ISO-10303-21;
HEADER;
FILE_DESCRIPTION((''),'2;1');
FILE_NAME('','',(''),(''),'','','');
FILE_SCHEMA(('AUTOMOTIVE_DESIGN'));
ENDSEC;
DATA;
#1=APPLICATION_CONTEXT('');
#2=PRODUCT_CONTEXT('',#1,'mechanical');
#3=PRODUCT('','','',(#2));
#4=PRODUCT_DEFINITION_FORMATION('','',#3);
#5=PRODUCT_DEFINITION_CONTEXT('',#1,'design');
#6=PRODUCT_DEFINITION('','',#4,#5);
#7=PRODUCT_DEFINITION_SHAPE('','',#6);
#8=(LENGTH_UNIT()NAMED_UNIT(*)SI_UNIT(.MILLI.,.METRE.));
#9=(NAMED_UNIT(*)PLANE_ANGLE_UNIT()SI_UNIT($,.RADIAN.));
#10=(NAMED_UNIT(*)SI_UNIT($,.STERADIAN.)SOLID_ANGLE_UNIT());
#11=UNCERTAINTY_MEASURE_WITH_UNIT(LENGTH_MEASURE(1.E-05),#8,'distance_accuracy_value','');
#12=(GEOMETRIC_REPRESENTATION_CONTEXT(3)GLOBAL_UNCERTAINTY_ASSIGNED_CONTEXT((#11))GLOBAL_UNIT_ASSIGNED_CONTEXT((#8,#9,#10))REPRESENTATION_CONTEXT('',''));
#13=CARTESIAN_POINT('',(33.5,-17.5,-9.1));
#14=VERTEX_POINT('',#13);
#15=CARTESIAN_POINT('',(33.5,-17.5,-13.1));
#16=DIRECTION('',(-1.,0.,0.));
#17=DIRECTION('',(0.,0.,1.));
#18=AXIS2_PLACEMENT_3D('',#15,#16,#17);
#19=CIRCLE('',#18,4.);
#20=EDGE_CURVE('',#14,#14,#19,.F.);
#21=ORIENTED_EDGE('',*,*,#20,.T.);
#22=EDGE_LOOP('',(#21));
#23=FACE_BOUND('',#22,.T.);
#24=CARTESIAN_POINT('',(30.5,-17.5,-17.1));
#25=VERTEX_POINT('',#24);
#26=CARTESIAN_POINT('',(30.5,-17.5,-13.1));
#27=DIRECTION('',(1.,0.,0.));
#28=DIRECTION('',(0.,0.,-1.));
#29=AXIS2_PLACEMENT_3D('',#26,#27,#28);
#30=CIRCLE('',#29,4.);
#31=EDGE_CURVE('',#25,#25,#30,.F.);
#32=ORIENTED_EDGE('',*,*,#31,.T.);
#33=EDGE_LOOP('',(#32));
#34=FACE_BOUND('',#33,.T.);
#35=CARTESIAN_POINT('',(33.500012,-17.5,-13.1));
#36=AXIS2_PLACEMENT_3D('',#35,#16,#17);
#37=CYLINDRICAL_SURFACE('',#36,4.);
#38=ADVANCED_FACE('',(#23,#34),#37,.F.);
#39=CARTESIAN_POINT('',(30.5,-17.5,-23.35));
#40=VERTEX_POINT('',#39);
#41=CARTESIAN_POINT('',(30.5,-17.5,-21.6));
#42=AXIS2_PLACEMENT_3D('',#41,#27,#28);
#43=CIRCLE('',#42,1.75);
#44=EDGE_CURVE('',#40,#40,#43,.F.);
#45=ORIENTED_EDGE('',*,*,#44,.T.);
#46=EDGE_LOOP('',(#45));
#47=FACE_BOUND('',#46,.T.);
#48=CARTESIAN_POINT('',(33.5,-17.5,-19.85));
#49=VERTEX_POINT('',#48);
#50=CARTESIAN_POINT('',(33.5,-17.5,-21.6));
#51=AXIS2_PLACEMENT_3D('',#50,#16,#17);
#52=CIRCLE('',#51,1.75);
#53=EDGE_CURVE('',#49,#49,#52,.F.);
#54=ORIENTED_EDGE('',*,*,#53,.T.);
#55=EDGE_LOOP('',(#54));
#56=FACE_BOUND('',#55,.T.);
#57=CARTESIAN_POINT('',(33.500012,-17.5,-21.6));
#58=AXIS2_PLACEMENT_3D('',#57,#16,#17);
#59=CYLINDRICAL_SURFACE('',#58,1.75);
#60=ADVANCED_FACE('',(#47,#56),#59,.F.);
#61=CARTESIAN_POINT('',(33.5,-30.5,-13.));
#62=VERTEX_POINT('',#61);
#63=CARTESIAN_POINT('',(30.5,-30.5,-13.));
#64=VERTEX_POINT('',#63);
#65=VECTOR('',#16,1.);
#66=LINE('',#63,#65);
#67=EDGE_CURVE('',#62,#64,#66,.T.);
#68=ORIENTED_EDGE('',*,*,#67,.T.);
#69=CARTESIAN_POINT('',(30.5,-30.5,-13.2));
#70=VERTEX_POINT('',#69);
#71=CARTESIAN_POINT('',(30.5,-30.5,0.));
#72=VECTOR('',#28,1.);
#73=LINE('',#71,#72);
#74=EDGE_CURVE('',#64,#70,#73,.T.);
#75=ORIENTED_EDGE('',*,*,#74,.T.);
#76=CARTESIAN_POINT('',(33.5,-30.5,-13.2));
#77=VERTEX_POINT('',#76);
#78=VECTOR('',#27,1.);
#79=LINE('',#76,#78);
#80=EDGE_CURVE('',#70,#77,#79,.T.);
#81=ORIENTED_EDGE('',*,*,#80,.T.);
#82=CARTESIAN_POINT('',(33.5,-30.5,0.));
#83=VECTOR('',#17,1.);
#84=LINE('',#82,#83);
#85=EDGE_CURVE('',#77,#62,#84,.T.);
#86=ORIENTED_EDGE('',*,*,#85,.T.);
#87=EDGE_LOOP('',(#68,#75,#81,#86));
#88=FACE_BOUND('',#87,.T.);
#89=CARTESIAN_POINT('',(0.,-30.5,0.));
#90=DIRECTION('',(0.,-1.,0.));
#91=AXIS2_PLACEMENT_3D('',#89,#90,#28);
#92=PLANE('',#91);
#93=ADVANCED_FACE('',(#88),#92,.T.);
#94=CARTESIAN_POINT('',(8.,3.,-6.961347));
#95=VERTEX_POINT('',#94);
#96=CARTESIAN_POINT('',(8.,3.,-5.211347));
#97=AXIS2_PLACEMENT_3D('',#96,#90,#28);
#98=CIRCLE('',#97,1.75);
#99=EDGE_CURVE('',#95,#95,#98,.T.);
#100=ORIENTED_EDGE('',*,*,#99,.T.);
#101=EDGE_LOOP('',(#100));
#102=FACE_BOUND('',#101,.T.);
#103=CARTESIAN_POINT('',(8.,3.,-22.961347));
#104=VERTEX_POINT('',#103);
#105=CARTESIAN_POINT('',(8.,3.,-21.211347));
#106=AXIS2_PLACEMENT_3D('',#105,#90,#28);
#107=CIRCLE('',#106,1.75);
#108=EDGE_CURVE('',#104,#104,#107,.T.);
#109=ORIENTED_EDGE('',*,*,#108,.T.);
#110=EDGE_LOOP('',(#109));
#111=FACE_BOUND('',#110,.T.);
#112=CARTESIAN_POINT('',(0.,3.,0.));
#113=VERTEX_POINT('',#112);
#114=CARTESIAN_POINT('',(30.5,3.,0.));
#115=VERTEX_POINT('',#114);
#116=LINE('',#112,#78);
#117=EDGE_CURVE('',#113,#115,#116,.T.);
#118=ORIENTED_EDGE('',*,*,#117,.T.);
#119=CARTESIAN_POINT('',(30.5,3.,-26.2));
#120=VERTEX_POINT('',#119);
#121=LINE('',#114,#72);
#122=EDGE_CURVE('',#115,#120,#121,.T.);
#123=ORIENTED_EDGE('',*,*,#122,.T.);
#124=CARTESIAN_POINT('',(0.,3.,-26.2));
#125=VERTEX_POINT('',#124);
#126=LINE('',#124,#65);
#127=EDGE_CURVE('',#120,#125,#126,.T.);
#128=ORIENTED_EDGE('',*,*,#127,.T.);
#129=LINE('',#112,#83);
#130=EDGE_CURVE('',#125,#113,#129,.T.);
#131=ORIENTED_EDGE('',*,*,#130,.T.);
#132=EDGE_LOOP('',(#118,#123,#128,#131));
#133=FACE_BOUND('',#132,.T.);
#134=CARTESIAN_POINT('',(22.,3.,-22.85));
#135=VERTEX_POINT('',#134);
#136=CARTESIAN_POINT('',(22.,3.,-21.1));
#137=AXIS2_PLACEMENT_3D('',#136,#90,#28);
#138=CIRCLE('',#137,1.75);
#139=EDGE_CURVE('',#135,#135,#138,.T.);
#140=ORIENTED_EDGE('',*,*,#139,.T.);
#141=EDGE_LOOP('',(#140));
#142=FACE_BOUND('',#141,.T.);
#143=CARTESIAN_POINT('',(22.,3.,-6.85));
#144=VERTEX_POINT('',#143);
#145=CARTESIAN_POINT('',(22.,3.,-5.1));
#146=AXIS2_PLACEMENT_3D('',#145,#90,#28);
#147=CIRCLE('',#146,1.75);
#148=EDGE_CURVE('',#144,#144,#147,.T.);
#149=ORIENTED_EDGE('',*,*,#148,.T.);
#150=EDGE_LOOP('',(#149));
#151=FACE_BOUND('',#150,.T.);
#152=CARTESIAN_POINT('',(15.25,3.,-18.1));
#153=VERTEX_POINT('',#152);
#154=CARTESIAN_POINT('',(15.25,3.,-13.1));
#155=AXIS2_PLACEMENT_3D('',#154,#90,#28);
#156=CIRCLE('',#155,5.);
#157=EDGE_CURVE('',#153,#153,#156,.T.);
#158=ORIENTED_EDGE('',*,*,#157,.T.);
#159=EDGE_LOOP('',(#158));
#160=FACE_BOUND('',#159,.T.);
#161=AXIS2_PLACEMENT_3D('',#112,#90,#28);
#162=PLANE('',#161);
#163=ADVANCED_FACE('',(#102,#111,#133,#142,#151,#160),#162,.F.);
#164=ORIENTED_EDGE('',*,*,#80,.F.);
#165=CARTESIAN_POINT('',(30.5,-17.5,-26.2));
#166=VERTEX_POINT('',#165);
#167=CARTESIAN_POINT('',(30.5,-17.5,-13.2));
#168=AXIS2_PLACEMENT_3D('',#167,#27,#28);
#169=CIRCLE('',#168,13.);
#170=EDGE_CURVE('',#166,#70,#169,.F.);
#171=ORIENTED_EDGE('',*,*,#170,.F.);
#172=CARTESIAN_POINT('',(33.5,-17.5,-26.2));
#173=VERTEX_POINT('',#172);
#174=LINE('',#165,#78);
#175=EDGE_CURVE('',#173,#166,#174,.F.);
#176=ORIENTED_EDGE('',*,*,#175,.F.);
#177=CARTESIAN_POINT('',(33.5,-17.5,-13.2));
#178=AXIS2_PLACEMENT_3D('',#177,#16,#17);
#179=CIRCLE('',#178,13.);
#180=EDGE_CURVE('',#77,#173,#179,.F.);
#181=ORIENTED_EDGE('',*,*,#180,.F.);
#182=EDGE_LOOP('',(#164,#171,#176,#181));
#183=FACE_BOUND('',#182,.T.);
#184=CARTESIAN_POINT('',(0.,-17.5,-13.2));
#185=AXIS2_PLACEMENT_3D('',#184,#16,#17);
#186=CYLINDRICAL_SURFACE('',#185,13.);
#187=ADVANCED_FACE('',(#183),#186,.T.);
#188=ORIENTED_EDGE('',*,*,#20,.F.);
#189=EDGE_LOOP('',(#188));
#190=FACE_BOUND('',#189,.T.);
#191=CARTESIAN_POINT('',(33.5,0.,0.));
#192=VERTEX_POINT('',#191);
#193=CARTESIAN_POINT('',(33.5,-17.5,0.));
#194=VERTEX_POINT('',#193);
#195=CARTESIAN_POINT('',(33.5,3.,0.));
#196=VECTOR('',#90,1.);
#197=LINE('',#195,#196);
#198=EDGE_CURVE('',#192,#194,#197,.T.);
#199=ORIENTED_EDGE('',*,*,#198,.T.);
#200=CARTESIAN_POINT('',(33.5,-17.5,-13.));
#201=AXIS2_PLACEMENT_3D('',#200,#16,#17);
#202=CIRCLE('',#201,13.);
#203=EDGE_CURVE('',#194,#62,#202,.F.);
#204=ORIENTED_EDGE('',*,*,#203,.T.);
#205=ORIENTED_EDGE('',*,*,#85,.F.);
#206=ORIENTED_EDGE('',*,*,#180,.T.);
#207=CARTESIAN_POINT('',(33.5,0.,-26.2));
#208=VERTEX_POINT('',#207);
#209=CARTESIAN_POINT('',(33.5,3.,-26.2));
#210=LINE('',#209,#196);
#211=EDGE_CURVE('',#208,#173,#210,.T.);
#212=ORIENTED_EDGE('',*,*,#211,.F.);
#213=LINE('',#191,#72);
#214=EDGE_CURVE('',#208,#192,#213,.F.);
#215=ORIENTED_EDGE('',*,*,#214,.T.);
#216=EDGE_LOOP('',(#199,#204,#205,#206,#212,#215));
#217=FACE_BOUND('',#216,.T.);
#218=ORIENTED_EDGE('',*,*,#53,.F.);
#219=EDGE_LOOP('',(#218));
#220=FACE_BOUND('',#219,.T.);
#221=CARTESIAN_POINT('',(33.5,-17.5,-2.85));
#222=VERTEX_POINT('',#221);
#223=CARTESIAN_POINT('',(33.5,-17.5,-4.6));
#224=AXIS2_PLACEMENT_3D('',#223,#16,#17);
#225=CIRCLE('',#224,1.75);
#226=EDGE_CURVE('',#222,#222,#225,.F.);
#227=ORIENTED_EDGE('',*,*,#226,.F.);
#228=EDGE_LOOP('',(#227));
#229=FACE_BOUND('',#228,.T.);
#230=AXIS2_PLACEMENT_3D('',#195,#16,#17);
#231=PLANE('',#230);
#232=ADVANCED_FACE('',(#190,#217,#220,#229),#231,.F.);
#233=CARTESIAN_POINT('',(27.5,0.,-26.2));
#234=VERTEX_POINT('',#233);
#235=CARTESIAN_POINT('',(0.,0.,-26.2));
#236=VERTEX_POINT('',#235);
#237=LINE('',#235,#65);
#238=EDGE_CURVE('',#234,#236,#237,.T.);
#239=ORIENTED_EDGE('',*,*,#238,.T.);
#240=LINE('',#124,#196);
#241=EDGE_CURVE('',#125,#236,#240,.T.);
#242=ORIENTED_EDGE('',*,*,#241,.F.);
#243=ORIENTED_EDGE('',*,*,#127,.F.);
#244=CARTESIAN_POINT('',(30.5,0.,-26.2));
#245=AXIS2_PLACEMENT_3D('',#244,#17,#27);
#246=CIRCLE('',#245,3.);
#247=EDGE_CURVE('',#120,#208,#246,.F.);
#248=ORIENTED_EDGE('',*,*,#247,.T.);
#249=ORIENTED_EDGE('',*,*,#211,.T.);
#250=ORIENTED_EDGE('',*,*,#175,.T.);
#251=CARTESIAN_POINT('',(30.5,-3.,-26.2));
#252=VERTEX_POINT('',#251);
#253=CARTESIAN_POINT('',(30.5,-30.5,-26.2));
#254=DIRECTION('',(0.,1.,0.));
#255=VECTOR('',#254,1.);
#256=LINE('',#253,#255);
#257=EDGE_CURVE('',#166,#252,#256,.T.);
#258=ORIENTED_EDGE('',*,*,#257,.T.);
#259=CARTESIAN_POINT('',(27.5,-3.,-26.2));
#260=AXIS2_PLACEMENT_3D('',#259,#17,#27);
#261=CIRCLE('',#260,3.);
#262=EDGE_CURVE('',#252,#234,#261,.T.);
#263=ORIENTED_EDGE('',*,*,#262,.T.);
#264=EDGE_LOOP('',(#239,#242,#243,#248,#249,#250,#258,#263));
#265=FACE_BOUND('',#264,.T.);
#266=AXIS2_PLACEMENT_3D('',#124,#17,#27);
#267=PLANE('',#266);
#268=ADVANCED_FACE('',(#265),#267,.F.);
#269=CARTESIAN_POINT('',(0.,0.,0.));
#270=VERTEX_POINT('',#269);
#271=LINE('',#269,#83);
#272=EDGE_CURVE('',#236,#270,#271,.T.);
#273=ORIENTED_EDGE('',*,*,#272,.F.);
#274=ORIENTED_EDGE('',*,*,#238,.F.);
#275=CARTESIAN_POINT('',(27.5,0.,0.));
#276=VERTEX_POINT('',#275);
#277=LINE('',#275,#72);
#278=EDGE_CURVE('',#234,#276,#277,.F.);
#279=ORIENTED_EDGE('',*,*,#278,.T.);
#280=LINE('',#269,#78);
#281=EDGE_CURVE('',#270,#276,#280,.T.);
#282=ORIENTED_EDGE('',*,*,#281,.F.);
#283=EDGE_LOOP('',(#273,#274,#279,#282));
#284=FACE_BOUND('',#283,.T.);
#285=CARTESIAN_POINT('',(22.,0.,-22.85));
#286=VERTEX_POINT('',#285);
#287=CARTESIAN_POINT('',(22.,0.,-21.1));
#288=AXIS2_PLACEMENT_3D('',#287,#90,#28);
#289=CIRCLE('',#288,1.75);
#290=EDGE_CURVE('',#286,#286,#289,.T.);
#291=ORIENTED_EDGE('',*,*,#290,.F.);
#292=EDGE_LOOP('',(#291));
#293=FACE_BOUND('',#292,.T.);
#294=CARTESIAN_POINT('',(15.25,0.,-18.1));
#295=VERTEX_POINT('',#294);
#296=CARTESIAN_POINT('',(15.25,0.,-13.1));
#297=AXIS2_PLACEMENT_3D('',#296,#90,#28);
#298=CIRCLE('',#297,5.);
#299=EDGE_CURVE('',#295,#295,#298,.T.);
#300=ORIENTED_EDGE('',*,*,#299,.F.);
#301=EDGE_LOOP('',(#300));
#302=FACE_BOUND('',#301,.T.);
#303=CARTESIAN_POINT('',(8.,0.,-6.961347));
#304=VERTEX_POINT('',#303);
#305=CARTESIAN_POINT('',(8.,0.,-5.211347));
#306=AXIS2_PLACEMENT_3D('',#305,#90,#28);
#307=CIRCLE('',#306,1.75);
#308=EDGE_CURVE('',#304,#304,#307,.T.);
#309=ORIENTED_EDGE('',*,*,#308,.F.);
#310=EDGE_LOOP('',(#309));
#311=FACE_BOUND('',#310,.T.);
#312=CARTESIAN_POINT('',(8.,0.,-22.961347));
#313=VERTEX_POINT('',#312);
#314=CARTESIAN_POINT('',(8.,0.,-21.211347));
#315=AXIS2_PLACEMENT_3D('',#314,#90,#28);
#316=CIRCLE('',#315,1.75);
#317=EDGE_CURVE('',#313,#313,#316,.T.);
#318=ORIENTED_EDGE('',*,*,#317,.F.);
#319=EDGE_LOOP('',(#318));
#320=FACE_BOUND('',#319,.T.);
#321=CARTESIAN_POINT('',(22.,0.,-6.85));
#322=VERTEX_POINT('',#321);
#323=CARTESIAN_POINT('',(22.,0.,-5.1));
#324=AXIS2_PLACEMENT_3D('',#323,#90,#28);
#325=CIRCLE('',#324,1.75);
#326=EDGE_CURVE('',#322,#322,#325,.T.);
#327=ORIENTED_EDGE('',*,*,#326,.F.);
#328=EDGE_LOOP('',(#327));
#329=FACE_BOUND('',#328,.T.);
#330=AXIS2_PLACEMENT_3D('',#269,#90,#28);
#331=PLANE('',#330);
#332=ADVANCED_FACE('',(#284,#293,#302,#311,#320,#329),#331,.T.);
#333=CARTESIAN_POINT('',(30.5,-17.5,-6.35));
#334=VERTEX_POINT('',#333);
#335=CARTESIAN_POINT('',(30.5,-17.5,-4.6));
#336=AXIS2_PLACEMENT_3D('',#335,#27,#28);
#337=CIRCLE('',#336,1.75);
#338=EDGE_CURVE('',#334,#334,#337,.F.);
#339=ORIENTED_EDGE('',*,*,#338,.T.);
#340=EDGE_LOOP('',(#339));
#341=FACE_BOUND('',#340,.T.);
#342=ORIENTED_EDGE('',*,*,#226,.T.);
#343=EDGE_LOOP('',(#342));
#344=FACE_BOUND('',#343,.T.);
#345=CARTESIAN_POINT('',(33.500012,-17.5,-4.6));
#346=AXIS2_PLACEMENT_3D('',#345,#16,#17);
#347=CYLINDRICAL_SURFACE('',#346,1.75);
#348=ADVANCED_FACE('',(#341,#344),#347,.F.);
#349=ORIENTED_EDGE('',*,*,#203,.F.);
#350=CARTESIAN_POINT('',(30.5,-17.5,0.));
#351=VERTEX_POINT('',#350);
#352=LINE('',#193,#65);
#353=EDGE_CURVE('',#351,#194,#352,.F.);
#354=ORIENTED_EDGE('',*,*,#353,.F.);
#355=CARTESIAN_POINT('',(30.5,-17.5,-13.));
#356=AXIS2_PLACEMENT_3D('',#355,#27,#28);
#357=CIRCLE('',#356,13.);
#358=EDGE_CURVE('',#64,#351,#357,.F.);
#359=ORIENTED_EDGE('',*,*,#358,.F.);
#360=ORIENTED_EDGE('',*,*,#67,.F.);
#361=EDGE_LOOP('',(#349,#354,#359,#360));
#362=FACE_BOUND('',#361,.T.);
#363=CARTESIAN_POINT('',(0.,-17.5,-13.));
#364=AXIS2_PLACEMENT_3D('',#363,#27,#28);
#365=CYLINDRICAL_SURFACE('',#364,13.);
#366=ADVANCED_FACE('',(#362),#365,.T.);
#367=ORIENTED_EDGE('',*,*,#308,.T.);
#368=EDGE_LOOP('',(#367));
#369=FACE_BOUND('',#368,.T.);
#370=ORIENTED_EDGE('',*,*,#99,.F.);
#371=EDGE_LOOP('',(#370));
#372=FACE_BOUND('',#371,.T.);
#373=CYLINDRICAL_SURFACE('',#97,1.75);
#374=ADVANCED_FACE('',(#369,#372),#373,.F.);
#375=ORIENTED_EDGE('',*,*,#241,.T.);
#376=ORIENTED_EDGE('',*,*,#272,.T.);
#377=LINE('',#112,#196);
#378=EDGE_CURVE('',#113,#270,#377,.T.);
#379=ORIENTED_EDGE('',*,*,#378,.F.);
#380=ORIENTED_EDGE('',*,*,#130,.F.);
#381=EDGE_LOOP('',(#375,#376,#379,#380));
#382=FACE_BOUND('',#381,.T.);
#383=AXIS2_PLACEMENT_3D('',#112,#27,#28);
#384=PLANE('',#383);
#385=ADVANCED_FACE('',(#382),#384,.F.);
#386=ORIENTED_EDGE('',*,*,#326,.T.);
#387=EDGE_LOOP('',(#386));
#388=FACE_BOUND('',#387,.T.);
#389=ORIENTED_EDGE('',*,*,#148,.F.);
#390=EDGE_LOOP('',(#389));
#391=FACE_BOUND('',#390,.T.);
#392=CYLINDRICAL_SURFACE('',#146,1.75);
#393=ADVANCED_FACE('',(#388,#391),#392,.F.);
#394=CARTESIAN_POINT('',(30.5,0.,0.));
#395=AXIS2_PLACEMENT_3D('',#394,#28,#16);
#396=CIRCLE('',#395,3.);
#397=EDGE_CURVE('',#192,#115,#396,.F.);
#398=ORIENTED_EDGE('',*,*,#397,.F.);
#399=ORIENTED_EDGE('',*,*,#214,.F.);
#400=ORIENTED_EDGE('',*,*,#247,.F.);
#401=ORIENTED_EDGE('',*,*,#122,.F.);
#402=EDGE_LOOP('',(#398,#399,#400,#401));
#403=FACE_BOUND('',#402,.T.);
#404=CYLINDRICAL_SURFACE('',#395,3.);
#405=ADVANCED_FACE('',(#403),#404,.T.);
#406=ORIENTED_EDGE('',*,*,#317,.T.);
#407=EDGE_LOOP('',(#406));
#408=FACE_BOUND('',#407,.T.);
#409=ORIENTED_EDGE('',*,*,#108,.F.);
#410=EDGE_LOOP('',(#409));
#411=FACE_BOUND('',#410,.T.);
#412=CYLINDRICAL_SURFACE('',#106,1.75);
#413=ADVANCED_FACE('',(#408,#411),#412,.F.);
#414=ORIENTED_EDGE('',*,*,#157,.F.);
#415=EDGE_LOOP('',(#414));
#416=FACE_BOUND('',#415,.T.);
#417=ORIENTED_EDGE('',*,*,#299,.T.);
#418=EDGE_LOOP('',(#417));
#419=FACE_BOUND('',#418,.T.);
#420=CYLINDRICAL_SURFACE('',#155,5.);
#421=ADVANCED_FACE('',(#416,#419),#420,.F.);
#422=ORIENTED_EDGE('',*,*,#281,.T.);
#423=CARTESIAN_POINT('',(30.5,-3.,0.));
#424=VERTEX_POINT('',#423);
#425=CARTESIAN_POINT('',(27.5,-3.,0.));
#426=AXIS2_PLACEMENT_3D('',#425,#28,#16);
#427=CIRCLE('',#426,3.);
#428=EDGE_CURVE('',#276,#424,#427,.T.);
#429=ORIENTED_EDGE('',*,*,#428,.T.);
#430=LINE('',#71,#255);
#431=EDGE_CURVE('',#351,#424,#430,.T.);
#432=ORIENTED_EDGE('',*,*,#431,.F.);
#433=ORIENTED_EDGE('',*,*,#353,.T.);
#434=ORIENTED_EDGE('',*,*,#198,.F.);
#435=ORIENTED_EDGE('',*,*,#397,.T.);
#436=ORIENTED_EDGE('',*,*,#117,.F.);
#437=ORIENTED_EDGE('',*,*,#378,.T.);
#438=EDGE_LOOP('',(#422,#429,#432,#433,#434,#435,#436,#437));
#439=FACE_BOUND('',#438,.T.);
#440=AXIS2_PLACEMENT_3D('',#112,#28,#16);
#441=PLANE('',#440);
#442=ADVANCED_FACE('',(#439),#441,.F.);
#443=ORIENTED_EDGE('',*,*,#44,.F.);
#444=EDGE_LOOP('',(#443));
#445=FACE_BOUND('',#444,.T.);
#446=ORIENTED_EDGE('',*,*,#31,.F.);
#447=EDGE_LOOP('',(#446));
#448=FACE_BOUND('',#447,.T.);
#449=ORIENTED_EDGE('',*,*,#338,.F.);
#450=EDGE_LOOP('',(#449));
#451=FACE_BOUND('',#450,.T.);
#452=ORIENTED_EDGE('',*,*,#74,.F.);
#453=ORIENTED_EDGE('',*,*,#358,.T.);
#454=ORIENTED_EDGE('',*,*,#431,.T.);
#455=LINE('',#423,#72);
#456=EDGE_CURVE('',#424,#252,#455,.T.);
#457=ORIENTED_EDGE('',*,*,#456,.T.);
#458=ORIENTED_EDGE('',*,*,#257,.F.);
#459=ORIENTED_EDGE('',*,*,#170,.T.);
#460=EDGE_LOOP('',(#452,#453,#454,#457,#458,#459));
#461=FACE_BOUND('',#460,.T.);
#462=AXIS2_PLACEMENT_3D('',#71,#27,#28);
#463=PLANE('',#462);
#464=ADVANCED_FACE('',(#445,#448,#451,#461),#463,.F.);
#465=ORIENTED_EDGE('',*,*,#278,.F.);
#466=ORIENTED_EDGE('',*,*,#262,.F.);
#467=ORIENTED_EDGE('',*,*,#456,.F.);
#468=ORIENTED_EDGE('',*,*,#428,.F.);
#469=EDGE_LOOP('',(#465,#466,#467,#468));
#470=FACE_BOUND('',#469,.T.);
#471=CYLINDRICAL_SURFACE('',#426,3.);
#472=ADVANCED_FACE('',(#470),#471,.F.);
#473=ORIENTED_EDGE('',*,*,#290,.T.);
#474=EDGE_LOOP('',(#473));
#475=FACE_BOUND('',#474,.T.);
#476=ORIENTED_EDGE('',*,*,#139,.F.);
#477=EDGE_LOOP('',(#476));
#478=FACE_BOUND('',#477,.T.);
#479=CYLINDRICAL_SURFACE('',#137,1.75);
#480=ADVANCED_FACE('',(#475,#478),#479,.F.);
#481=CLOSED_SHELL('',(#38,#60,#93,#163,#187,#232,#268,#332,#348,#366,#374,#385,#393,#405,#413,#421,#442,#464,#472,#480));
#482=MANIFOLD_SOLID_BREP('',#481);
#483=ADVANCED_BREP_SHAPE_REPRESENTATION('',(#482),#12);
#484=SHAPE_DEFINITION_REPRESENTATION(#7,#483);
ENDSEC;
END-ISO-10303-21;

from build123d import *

# Parameters (mm, degrees)
SKETCH1_W               = 33.5
SKETCH1_H               = 26.2
BOSS_EXTRUDE1_DEPTH     = 3
SKETCH3_W               = 3
SKETCH3_H               = 26.2
BOSS_EXTRUDE3_DEPTH     = 30.5
FILLET1_R               = 13
SKETCH7_R               = 1.75
SKETCH7_R_2             = 5
CUT_EXTRUDE1_DEPTH      = 4
FILLET2_R               = 3
SKETCH10_R              = 1.75
SKETCH10_R_2            = 4
CUT_EXTRUDE2_DEPTH      = 1
CUT_EXTRUDE2_DEPTH_BACK = 3.5


with BuildPart() as part:
    # Sketch1 → Boss-Extrude1 (new body)
    with BuildSketch(Plane(origin=(0, 0, 0), x_dir=(1, 0, 0), z_dir=(0, 1, 0))):
        with Locations((16.75, 13.1)):
            Rectangle(SKETCH1_W, SKETCH1_H)
    extrude(amount=BOSS_EXTRUDE1_DEPTH)

    # Sketch3 → Boss-Extrude3 (add)
    with BuildSketch(Plane.XZ):
        with Locations((32, -13.1)):
            Rectangle(SKETCH3_W, SKETCH3_H)
    extrude(amount=BOSS_EXTRUDE3_DEPTH)

    # Fillet1
    fillet1_edges = [part.edges().sort_by_distance(p)[0] for p in [
        (32, -30.5, -26.2),
        (32, -30.5, 0),
    ]]
    fillet(fillet1_edges, radius=FILLET1_R)

    # Sketch7 → Cut-Extrude1 (cut, through all)
    with BuildSketch(Plane.XZ):
        with Locations((8, -5.211347336)):
            Circle(SKETCH7_R)
        with Locations((8, -21.211347336)):
            Circle(SKETCH7_R)
        with Locations((22, -21.1)):
            Circle(SKETCH7_R)
        with Locations((22, -5.1)):
            Circle(SKETCH7_R)
        with Locations((15.25, -13.1)):
            Circle(SKETCH7_R_2)
    extrude(amount=-CUT_EXTRUDE1_DEPTH, mode=Mode.SUBTRACT)

    # Fillet2
    fillet2_edges = [part.edges().sort_by_distance(p)[0] for p in [
        (33.5, 3, -13.1),
        (30.5, 0, -13.1),
    ]]
    fillet(fillet2_edges, radius=FILLET2_R)

    # Sketch10 → Cut-Extrude2 (cut, two sides)
    with BuildSketch(Plane(origin=(33.5, 0, 0), x_dir=(0, 0, -1), z_dir=(1, 0, 0))) as cut_extrude2_sk:
        with Locations((4.6, -17.5)):
            Circle(SKETCH10_R)
        with Locations((21.6, -17.5)):
            Circle(SKETCH10_R)
        with Locations((13.1, -17.5)):
            Circle(SKETCH10_R_2)
    extrude(amount=CUT_EXTRUDE2_DEPTH, mode=Mode.SUBTRACT)
    extrude(cut_extrude2_sk.sketch, amount=-CUT_EXTRUDE2_DEPTH_BACK, mode=Mode.SUBTRACT)


solid = part.part
